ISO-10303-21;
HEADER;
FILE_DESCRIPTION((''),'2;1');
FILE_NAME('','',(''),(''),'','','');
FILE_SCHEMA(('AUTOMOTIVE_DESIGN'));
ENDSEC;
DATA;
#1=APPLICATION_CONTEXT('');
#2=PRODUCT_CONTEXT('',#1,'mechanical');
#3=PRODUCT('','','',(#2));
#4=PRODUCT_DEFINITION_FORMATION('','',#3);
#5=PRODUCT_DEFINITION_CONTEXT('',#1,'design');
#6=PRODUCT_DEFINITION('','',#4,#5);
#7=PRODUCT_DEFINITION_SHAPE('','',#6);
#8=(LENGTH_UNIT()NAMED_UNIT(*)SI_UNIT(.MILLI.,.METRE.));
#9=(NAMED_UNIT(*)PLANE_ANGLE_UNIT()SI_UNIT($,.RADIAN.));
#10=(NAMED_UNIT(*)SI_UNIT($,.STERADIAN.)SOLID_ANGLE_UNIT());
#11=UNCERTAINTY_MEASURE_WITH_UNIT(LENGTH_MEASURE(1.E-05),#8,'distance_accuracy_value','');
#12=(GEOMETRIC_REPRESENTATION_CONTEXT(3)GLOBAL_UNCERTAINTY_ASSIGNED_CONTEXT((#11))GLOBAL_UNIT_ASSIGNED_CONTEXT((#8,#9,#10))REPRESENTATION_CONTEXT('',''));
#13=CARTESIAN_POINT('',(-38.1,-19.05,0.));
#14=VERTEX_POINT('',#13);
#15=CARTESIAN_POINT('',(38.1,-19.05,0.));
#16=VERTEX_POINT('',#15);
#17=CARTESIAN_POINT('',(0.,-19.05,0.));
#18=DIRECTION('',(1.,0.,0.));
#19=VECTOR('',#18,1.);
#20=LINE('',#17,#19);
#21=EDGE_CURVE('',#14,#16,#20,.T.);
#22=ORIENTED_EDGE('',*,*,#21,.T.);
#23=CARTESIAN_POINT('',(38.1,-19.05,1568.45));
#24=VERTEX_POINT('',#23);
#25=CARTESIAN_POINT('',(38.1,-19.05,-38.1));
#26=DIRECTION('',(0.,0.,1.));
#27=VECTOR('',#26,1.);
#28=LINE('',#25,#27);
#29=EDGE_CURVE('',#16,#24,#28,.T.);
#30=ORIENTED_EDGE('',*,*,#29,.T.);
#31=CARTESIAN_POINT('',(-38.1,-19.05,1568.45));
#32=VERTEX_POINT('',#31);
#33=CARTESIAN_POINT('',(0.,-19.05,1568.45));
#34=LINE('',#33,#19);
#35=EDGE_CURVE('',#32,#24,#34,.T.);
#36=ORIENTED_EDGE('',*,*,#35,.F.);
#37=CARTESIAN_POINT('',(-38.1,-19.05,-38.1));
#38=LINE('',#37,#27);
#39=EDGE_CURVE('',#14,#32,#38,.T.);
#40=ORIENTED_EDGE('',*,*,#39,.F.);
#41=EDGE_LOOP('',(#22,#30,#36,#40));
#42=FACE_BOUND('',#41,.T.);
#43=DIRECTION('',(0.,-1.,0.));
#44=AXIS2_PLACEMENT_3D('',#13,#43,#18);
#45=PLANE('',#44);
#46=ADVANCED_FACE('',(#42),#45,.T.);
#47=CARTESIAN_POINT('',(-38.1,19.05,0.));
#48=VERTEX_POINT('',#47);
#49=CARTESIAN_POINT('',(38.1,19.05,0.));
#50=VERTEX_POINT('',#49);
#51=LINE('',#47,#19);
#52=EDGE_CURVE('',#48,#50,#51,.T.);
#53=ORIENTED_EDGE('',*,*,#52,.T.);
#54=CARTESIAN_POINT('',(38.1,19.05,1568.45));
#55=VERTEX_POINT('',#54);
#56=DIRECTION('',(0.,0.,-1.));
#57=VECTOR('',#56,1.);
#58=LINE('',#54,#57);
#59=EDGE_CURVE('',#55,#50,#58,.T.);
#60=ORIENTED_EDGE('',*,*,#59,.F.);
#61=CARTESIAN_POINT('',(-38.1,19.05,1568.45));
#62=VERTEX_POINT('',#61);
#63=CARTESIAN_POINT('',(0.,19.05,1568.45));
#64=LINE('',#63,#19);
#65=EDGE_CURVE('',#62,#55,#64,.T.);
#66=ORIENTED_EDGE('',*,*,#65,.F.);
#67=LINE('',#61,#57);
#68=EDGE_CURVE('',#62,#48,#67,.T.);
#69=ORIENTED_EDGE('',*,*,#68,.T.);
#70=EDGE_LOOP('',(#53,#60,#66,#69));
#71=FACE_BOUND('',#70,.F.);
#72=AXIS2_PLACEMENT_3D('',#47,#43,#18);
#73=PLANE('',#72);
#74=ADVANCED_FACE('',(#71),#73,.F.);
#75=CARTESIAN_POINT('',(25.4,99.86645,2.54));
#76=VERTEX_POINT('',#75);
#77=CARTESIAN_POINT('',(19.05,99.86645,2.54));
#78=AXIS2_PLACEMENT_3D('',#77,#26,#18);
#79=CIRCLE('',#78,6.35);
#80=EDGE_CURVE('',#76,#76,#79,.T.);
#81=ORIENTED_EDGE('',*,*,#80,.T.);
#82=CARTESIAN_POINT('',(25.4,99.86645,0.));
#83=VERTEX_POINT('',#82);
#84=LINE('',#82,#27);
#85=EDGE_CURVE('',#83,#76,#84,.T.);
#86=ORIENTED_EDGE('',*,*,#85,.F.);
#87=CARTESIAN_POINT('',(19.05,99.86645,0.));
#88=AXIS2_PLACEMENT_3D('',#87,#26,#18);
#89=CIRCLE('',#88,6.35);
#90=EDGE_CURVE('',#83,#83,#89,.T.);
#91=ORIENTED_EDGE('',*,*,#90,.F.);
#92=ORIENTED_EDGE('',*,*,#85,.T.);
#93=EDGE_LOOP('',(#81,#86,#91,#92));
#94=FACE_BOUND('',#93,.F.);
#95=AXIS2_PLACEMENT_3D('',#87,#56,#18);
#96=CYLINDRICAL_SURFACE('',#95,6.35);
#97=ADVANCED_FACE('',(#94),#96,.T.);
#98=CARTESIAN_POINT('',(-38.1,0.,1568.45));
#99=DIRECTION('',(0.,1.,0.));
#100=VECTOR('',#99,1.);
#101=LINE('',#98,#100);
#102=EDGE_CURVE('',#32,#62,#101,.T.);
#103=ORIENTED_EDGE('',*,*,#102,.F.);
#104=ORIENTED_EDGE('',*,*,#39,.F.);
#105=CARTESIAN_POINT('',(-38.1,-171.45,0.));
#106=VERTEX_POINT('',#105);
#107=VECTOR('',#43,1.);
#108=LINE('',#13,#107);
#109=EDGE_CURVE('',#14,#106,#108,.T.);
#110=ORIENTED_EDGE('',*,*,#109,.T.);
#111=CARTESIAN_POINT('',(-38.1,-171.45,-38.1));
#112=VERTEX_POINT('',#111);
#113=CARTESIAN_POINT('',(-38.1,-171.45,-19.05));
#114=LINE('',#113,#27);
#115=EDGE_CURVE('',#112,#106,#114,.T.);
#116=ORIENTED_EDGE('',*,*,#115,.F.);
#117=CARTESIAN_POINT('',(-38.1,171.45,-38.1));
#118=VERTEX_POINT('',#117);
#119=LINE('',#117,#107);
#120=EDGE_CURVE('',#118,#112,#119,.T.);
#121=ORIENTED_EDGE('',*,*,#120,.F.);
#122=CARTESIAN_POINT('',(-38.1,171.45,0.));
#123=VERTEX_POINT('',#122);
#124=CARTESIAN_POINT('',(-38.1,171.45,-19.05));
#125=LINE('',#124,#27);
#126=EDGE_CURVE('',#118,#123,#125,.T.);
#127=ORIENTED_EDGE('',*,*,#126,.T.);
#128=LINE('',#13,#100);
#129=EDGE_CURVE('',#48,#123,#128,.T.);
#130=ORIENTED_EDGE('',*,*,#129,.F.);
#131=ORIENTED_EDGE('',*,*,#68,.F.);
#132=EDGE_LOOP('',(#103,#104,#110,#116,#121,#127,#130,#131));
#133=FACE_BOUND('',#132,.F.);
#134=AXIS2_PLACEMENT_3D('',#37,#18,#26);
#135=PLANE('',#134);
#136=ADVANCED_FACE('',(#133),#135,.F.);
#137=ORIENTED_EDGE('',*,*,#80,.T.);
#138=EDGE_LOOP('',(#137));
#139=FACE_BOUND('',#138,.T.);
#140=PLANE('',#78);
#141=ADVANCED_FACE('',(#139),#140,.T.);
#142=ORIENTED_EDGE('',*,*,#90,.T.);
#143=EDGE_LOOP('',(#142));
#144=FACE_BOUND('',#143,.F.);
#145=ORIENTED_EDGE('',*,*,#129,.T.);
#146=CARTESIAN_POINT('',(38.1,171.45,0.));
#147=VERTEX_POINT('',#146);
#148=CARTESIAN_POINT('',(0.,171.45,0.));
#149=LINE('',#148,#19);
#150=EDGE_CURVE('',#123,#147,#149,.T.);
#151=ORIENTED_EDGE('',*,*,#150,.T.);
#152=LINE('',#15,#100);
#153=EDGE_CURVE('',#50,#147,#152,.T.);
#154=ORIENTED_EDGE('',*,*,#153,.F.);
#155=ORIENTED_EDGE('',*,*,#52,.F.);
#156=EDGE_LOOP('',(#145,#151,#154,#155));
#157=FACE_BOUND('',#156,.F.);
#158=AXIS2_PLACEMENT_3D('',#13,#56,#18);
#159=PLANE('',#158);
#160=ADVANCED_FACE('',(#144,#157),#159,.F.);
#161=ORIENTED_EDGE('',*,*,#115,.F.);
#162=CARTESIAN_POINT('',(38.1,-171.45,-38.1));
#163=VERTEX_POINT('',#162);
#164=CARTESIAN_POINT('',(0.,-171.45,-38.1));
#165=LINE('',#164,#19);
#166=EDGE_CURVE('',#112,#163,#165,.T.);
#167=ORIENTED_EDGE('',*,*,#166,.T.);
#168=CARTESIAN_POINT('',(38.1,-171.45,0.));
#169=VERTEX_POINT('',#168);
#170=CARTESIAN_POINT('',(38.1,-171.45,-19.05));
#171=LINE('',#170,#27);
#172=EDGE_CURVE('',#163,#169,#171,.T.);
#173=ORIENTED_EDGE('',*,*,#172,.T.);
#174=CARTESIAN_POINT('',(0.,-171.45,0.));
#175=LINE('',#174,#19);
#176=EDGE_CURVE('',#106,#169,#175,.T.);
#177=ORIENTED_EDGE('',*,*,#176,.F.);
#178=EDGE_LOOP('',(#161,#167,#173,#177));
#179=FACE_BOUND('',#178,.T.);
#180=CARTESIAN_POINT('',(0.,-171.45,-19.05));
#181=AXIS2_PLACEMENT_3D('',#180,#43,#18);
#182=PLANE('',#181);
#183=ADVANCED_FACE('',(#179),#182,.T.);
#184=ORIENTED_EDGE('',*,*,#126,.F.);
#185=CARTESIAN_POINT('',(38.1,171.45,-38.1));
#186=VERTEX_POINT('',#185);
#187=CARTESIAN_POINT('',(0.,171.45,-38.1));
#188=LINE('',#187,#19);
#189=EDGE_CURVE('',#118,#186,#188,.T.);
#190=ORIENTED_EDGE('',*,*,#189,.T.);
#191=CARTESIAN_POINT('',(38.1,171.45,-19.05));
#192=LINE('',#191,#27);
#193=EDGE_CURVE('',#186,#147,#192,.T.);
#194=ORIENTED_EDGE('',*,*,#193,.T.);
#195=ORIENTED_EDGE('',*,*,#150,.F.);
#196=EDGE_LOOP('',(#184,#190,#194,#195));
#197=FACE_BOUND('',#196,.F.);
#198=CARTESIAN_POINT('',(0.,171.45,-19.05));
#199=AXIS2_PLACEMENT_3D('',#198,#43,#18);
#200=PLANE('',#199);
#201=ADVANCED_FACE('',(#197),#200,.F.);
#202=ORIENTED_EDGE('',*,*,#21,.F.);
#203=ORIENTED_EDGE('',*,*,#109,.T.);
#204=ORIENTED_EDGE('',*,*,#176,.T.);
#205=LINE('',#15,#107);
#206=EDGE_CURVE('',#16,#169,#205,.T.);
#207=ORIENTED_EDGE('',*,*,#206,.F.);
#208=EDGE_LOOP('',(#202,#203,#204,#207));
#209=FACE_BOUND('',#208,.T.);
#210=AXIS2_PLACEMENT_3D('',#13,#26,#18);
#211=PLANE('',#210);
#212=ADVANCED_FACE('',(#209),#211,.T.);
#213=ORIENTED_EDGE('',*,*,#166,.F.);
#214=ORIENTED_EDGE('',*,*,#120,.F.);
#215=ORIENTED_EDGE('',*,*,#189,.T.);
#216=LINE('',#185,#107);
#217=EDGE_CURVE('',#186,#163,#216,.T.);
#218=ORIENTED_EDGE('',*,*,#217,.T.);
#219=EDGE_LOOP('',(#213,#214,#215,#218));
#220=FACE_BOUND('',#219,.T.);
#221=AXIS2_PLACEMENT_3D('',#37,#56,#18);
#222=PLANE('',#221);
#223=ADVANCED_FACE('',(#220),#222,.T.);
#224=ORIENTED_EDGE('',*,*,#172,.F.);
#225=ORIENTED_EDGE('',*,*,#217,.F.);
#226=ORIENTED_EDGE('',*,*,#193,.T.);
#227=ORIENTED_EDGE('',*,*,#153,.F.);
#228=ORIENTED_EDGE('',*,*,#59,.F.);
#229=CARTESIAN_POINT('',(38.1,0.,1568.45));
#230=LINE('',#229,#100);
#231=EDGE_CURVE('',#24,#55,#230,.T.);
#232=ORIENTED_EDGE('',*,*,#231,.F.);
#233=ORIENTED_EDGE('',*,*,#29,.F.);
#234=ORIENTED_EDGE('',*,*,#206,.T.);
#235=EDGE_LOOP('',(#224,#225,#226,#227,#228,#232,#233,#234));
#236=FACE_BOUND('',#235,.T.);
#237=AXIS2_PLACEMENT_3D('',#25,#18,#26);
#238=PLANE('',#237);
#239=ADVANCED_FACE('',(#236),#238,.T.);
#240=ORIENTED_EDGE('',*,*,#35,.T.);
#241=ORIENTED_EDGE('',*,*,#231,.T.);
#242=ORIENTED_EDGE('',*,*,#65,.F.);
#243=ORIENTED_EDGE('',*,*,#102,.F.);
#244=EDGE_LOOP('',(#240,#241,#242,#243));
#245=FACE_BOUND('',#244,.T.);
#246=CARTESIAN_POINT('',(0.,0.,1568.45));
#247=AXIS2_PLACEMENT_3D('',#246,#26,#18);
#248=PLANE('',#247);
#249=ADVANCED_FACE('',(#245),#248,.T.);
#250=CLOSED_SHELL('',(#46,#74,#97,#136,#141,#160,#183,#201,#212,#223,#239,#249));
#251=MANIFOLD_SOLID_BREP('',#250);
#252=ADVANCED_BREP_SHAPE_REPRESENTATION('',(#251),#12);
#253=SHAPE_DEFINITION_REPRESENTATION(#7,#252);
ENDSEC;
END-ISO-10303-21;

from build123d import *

# Parameters (mm, degrees)
F0_W          = 76.2
F0_H          = 38.1
F1_DEPTH      = 1568.45
F2_W          = 76.2
F2_H          = 38.1
F3_DEPTH      = 38.1
F4_W          = 76.2
F4_H          = 38.1
F5_DEPTH      = 152.4
F5_DEPTH_BACK = 190.5
F6_R          = 6.35
F7_DEPTH      = 2.54


with BuildPart() as f1:
    # F0 (on Top) → F1 (new body)
    with BuildSketch(Plane.XY):
        Rectangle(F0_W, F0_H)
    extrude(amount=F1_DEPTH)

    # F2 (on face) → F3 (join)
    with BuildSketch(Plane(origin=(0, 0, 0), x_dir=(1, 0, 0), z_dir=(0, 0, -1))):
        Rectangle(F2_W, F2_H)
    extrude(amount=F3_DEPTH)

    # F4 (on face) → F5 (join, two sides)
    with BuildSketch(Plane.XZ.offset(19.05)) as f5_sk:
        with Locations((0, -19.05)):
            Rectangle(F4_W, F4_H)
    extrude(amount=F5_DEPTH)
    extrude(f5_sk.sketch, amount=-F5_DEPTH_BACK)

    # F6 (on face) → F7 (join)
    with BuildSketch(Plane.XY):
        with Locations((19.05, 99.86645)):
            Circle(F6_R)
    extrude(amount=F7_DEPTH)


solid = f1.part
